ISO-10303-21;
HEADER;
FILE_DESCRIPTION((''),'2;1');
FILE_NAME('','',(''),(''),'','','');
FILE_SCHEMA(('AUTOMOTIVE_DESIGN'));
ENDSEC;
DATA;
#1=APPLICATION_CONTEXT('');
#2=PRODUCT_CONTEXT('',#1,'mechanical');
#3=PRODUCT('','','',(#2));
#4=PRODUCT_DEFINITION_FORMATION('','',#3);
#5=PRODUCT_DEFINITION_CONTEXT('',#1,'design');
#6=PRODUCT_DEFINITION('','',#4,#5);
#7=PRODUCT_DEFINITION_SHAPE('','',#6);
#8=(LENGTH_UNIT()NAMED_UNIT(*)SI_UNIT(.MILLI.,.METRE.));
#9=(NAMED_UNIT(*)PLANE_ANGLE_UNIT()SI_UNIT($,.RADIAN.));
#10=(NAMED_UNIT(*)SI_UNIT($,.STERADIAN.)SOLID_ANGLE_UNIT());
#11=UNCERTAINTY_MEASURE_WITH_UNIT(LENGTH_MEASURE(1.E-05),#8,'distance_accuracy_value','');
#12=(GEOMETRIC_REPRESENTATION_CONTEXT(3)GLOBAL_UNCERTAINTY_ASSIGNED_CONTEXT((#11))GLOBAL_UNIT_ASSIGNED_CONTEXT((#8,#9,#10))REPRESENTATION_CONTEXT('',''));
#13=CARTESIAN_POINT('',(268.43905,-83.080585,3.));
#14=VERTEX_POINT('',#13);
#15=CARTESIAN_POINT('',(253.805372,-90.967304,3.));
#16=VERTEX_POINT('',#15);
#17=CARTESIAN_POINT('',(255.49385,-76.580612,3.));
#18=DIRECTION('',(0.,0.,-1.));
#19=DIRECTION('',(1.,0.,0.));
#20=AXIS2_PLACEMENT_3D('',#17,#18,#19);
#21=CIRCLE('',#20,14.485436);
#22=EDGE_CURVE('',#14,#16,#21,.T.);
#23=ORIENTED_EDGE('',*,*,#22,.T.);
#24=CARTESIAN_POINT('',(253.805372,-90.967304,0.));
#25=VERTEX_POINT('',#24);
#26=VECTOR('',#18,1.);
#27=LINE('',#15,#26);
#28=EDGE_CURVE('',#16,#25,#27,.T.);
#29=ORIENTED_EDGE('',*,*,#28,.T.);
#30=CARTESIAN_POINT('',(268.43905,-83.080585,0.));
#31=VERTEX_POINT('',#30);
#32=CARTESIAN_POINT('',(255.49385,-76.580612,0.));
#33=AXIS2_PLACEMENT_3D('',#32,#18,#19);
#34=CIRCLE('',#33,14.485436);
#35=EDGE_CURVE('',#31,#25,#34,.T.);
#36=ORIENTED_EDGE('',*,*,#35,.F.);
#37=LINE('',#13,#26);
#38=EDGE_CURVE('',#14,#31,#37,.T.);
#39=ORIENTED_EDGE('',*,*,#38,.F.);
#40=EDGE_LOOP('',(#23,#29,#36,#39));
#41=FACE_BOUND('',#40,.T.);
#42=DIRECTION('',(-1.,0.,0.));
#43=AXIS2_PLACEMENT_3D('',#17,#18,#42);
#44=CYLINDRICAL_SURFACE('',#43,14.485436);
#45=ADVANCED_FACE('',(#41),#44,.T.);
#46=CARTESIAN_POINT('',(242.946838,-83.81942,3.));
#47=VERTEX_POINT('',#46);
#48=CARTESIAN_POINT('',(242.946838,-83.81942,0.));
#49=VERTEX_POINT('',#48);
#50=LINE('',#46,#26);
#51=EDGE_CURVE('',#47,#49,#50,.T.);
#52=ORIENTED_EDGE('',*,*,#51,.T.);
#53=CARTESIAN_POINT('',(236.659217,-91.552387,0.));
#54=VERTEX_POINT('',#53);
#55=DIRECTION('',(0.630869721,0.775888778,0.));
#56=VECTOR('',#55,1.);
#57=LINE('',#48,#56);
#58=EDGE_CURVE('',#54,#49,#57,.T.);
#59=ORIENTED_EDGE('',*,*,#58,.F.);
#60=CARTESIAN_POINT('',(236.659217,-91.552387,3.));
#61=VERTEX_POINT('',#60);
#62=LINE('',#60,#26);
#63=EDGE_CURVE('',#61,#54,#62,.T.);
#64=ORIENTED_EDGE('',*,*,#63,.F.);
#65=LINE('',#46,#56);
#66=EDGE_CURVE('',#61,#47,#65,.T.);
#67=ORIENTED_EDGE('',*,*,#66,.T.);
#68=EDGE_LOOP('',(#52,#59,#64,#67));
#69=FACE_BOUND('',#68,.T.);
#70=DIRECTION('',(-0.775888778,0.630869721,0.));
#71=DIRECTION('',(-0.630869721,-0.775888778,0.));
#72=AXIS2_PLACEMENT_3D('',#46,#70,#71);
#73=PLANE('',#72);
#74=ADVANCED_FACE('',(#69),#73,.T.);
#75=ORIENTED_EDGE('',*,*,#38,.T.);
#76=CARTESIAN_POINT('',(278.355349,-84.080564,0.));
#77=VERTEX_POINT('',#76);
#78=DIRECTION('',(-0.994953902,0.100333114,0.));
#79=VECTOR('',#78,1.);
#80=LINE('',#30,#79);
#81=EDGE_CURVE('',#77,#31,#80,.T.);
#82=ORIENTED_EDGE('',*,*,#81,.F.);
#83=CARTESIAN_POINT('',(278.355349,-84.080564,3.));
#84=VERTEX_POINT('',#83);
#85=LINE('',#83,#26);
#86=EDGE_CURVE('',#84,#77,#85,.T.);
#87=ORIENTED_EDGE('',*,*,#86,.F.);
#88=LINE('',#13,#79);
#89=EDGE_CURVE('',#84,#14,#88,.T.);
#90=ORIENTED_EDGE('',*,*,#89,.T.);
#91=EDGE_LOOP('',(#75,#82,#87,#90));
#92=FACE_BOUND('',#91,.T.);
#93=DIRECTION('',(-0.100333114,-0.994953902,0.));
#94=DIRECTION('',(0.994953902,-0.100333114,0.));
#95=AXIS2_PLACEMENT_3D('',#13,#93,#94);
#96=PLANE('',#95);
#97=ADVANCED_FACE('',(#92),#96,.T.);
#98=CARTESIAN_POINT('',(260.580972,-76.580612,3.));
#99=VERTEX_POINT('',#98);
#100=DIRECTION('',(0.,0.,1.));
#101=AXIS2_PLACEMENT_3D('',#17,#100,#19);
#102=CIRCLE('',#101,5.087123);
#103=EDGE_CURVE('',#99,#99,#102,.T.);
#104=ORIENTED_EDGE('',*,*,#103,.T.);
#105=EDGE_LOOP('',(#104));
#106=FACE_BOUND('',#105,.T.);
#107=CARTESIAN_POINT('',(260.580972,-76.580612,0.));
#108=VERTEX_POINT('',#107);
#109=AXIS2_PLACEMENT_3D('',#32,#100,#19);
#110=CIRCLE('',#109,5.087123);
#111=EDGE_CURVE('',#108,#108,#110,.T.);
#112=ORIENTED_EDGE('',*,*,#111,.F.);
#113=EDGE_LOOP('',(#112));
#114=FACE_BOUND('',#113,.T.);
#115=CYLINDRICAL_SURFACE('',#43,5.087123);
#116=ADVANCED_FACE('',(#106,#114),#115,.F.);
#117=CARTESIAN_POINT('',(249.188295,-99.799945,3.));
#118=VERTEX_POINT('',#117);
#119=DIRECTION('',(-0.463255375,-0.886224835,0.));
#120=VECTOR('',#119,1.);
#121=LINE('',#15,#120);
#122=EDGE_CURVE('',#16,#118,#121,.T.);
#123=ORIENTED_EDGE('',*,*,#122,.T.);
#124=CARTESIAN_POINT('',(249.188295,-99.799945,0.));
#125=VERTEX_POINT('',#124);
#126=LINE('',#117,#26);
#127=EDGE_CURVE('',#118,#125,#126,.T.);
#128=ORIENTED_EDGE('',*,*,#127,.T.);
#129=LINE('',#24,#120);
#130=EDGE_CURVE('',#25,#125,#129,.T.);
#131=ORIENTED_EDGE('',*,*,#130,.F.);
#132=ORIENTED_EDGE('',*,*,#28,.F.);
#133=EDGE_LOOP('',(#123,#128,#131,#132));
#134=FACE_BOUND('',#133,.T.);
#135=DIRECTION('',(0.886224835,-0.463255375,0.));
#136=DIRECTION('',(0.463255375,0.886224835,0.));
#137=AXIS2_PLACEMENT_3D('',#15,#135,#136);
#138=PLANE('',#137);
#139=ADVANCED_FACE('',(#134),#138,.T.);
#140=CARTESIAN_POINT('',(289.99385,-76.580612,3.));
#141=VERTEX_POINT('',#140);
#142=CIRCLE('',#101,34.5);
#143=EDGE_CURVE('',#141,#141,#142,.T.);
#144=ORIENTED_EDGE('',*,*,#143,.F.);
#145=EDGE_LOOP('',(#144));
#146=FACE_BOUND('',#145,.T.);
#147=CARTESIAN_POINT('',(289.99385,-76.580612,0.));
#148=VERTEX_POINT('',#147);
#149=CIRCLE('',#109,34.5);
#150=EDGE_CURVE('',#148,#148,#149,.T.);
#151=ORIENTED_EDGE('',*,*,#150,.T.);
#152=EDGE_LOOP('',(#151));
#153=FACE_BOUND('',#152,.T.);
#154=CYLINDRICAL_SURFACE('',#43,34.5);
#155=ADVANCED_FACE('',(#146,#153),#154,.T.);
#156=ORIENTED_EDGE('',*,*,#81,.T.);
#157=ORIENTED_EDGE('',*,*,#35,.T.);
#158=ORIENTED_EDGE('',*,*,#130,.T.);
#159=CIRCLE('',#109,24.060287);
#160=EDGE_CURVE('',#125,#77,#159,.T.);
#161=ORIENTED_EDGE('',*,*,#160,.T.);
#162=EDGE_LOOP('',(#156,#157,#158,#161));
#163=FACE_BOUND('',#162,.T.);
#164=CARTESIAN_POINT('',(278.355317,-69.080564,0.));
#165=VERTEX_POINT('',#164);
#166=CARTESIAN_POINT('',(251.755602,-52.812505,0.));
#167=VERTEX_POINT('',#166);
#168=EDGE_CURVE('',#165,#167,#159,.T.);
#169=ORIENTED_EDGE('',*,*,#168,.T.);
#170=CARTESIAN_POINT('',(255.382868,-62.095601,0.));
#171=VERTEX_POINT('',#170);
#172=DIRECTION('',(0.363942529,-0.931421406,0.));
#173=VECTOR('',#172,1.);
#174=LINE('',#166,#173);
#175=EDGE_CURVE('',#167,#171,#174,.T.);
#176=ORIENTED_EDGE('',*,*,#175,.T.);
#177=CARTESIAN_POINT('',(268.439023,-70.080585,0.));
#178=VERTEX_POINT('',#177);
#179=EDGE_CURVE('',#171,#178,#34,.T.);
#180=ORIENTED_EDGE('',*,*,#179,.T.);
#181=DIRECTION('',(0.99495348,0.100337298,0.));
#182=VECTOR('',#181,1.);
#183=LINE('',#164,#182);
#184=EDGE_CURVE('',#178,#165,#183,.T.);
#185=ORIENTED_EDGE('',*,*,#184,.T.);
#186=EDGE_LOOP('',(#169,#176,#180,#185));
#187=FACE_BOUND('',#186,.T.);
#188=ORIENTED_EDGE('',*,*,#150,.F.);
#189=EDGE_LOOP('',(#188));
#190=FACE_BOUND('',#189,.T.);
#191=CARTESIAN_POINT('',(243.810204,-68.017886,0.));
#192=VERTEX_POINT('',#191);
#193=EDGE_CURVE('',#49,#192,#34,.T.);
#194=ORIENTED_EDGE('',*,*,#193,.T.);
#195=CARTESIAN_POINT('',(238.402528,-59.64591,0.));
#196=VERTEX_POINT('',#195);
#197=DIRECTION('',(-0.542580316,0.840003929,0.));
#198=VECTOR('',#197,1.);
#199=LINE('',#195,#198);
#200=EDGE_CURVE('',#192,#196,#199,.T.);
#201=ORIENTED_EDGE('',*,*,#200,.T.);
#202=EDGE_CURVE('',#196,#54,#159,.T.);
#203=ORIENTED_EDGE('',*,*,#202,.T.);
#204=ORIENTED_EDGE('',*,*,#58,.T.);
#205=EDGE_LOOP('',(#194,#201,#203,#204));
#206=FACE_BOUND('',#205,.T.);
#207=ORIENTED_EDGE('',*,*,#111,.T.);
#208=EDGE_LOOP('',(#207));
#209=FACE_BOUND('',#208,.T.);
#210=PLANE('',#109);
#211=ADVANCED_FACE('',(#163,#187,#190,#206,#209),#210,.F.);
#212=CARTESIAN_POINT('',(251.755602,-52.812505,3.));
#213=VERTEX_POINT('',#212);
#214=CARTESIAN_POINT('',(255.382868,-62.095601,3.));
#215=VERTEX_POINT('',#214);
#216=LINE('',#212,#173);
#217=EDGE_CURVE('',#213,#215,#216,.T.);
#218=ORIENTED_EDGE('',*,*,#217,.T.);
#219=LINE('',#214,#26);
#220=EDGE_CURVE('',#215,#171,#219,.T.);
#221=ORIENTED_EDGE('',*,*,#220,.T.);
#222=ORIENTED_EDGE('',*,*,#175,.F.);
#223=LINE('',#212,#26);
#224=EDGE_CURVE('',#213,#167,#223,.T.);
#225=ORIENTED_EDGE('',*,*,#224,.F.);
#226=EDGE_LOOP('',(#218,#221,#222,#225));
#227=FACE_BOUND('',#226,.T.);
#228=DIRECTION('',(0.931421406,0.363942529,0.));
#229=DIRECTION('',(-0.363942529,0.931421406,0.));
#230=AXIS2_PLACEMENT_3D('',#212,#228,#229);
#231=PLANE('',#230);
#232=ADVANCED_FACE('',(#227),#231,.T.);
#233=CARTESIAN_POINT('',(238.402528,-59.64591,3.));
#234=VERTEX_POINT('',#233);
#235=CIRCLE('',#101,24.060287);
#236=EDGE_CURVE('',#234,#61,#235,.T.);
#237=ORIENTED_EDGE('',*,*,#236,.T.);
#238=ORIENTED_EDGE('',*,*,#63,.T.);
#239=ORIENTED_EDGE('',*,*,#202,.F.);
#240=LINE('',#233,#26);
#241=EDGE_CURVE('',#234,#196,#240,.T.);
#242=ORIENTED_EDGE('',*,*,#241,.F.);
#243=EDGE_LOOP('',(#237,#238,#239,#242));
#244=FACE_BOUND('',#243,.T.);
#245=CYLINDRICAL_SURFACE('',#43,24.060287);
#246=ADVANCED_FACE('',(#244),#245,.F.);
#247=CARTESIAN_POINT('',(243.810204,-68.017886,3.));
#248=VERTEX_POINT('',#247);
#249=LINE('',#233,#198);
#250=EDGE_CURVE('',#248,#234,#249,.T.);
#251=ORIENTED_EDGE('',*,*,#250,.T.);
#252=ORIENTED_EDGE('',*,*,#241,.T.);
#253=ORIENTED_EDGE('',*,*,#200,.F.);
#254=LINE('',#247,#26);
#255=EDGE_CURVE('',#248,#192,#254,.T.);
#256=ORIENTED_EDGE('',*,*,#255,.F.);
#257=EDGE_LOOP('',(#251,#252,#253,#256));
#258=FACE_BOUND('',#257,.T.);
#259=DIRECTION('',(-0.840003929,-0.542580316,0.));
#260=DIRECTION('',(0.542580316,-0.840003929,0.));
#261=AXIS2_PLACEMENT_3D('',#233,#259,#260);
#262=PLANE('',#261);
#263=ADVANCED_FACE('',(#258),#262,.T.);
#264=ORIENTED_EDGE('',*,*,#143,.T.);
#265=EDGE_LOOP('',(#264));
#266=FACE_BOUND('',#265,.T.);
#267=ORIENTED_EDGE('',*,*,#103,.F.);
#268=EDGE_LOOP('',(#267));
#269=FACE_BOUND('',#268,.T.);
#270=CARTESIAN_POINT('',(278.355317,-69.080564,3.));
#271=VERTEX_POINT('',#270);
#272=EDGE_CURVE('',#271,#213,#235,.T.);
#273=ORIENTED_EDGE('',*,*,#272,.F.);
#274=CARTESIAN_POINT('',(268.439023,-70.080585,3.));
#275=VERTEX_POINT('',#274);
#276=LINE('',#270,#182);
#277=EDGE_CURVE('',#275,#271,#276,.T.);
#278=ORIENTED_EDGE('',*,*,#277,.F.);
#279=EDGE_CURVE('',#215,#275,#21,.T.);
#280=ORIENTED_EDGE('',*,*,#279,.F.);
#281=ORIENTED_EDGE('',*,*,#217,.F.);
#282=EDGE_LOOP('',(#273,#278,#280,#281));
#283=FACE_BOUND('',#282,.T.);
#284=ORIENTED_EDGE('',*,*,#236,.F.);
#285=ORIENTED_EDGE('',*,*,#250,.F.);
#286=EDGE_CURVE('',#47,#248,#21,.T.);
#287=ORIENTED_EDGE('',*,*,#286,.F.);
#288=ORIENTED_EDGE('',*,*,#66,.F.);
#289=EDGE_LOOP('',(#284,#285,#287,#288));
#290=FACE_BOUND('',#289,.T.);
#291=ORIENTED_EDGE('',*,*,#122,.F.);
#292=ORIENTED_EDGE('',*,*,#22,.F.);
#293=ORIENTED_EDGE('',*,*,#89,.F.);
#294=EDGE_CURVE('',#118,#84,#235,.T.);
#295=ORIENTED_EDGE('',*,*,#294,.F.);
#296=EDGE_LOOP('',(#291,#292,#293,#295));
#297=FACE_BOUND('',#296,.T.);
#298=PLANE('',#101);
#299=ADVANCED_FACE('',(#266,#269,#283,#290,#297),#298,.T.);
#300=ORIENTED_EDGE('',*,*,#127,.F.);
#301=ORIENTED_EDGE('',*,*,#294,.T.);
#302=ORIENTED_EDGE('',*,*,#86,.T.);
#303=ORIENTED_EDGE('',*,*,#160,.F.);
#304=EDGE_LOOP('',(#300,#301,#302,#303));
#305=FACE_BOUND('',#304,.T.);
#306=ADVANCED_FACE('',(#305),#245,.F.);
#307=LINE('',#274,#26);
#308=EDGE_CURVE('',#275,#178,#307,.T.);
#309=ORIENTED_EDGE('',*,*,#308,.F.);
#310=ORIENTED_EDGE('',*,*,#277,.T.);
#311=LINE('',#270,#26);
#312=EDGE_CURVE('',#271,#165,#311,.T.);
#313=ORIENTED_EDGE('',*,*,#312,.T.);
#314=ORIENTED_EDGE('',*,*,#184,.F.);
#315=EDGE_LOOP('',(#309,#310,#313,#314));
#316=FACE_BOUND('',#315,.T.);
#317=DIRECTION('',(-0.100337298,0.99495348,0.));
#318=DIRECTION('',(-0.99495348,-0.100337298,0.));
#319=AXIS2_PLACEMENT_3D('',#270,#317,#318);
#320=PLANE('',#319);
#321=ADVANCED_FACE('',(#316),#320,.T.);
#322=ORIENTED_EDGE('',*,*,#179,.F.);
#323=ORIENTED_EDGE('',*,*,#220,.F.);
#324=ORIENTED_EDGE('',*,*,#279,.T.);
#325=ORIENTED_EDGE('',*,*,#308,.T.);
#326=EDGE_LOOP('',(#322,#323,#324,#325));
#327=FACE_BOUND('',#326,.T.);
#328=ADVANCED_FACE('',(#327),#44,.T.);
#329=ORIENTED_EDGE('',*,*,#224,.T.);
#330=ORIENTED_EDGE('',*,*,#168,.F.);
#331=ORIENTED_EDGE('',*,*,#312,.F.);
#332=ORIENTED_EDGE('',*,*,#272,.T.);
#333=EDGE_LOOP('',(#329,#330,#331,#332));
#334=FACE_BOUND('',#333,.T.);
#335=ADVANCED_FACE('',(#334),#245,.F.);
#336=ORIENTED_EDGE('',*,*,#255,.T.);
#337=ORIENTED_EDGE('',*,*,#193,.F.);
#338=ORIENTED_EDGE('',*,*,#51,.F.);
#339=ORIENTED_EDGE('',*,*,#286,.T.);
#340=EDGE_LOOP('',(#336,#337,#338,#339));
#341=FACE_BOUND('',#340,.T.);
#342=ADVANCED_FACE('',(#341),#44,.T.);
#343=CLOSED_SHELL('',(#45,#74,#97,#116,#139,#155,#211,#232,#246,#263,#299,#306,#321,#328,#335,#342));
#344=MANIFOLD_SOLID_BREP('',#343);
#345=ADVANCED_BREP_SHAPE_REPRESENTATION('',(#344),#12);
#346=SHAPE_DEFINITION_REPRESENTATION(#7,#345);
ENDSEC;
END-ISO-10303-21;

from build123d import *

# Parameters (mm, degrees)
SKETCH1_R          = 34.5
SKETCH1_R_2        = 5.087122698
BASE_EXTRUDE_DEPTH = 3


with BuildPart() as part:
    # Sketch1 → Base-Extrude (new body)
    with BuildSketch(Plane.XY):
        with Locations((255.493849666, -76.580612243)):
            Circle(SKETCH1_R)
        with Locations((255.493849666, -76.580612243)):
            Circle(SKETCH1_R_2, mode=Mode.SUBTRACT)
        with BuildLine():
            Line((268.439049892, -83.080585027), (278.355348881, -84.08056418))
            ThreePointArc((278.355348881, -84.08056418), (266.908732596, -97.760741447), (249.188294551, -99.799944708))
            Line((249.188294551, -99.799944708), (253.805371583, -90.9673039))
            ThreePointArc((253.805371583, -90.9673039), (262.366151463, -89.332056204), (268.439049892, -83.080585027))
        make_face(mode=Mode.SUBTRACT)
        with BuildLine():
            Line((242.946837579, -83.819420347), (236.659216854, -91.552386762))
            ThreePointArc((236.659216854, -91.552386762), (231.469396076, -75.2679603), (238.402528058, -59.645909673))
            Line((238.402528058, -59.645909673), (243.810204365, -68.0178856))
            ThreePointArc((243.810204365, -68.0178856), (241.029987303, -75.790333415), (242.946837579, -83.819420347))
        make_face(mode=Mode.SUBTRACT)
        with BuildLine():
            Line((251.755601813, -52.812504863), (255.382868286, -62.095601431))
            ThreePointArc((255.382868286, -62.095601431), (263.051568152, -64.223074204), (268.439022561, -70.080585027))
            Line((268.439022561, -70.080585027), (278.355317346, -69.08056418))
            ThreePointArc((278.355317346, -69.08056418), (268.047208684, -56.054760182), (251.755601813, -52.812504863))
        make_face(mode=Mode.SUBTRACT)
    extrude(amount=BASE_EXTRUDE_DEPTH)


solid = part.part
